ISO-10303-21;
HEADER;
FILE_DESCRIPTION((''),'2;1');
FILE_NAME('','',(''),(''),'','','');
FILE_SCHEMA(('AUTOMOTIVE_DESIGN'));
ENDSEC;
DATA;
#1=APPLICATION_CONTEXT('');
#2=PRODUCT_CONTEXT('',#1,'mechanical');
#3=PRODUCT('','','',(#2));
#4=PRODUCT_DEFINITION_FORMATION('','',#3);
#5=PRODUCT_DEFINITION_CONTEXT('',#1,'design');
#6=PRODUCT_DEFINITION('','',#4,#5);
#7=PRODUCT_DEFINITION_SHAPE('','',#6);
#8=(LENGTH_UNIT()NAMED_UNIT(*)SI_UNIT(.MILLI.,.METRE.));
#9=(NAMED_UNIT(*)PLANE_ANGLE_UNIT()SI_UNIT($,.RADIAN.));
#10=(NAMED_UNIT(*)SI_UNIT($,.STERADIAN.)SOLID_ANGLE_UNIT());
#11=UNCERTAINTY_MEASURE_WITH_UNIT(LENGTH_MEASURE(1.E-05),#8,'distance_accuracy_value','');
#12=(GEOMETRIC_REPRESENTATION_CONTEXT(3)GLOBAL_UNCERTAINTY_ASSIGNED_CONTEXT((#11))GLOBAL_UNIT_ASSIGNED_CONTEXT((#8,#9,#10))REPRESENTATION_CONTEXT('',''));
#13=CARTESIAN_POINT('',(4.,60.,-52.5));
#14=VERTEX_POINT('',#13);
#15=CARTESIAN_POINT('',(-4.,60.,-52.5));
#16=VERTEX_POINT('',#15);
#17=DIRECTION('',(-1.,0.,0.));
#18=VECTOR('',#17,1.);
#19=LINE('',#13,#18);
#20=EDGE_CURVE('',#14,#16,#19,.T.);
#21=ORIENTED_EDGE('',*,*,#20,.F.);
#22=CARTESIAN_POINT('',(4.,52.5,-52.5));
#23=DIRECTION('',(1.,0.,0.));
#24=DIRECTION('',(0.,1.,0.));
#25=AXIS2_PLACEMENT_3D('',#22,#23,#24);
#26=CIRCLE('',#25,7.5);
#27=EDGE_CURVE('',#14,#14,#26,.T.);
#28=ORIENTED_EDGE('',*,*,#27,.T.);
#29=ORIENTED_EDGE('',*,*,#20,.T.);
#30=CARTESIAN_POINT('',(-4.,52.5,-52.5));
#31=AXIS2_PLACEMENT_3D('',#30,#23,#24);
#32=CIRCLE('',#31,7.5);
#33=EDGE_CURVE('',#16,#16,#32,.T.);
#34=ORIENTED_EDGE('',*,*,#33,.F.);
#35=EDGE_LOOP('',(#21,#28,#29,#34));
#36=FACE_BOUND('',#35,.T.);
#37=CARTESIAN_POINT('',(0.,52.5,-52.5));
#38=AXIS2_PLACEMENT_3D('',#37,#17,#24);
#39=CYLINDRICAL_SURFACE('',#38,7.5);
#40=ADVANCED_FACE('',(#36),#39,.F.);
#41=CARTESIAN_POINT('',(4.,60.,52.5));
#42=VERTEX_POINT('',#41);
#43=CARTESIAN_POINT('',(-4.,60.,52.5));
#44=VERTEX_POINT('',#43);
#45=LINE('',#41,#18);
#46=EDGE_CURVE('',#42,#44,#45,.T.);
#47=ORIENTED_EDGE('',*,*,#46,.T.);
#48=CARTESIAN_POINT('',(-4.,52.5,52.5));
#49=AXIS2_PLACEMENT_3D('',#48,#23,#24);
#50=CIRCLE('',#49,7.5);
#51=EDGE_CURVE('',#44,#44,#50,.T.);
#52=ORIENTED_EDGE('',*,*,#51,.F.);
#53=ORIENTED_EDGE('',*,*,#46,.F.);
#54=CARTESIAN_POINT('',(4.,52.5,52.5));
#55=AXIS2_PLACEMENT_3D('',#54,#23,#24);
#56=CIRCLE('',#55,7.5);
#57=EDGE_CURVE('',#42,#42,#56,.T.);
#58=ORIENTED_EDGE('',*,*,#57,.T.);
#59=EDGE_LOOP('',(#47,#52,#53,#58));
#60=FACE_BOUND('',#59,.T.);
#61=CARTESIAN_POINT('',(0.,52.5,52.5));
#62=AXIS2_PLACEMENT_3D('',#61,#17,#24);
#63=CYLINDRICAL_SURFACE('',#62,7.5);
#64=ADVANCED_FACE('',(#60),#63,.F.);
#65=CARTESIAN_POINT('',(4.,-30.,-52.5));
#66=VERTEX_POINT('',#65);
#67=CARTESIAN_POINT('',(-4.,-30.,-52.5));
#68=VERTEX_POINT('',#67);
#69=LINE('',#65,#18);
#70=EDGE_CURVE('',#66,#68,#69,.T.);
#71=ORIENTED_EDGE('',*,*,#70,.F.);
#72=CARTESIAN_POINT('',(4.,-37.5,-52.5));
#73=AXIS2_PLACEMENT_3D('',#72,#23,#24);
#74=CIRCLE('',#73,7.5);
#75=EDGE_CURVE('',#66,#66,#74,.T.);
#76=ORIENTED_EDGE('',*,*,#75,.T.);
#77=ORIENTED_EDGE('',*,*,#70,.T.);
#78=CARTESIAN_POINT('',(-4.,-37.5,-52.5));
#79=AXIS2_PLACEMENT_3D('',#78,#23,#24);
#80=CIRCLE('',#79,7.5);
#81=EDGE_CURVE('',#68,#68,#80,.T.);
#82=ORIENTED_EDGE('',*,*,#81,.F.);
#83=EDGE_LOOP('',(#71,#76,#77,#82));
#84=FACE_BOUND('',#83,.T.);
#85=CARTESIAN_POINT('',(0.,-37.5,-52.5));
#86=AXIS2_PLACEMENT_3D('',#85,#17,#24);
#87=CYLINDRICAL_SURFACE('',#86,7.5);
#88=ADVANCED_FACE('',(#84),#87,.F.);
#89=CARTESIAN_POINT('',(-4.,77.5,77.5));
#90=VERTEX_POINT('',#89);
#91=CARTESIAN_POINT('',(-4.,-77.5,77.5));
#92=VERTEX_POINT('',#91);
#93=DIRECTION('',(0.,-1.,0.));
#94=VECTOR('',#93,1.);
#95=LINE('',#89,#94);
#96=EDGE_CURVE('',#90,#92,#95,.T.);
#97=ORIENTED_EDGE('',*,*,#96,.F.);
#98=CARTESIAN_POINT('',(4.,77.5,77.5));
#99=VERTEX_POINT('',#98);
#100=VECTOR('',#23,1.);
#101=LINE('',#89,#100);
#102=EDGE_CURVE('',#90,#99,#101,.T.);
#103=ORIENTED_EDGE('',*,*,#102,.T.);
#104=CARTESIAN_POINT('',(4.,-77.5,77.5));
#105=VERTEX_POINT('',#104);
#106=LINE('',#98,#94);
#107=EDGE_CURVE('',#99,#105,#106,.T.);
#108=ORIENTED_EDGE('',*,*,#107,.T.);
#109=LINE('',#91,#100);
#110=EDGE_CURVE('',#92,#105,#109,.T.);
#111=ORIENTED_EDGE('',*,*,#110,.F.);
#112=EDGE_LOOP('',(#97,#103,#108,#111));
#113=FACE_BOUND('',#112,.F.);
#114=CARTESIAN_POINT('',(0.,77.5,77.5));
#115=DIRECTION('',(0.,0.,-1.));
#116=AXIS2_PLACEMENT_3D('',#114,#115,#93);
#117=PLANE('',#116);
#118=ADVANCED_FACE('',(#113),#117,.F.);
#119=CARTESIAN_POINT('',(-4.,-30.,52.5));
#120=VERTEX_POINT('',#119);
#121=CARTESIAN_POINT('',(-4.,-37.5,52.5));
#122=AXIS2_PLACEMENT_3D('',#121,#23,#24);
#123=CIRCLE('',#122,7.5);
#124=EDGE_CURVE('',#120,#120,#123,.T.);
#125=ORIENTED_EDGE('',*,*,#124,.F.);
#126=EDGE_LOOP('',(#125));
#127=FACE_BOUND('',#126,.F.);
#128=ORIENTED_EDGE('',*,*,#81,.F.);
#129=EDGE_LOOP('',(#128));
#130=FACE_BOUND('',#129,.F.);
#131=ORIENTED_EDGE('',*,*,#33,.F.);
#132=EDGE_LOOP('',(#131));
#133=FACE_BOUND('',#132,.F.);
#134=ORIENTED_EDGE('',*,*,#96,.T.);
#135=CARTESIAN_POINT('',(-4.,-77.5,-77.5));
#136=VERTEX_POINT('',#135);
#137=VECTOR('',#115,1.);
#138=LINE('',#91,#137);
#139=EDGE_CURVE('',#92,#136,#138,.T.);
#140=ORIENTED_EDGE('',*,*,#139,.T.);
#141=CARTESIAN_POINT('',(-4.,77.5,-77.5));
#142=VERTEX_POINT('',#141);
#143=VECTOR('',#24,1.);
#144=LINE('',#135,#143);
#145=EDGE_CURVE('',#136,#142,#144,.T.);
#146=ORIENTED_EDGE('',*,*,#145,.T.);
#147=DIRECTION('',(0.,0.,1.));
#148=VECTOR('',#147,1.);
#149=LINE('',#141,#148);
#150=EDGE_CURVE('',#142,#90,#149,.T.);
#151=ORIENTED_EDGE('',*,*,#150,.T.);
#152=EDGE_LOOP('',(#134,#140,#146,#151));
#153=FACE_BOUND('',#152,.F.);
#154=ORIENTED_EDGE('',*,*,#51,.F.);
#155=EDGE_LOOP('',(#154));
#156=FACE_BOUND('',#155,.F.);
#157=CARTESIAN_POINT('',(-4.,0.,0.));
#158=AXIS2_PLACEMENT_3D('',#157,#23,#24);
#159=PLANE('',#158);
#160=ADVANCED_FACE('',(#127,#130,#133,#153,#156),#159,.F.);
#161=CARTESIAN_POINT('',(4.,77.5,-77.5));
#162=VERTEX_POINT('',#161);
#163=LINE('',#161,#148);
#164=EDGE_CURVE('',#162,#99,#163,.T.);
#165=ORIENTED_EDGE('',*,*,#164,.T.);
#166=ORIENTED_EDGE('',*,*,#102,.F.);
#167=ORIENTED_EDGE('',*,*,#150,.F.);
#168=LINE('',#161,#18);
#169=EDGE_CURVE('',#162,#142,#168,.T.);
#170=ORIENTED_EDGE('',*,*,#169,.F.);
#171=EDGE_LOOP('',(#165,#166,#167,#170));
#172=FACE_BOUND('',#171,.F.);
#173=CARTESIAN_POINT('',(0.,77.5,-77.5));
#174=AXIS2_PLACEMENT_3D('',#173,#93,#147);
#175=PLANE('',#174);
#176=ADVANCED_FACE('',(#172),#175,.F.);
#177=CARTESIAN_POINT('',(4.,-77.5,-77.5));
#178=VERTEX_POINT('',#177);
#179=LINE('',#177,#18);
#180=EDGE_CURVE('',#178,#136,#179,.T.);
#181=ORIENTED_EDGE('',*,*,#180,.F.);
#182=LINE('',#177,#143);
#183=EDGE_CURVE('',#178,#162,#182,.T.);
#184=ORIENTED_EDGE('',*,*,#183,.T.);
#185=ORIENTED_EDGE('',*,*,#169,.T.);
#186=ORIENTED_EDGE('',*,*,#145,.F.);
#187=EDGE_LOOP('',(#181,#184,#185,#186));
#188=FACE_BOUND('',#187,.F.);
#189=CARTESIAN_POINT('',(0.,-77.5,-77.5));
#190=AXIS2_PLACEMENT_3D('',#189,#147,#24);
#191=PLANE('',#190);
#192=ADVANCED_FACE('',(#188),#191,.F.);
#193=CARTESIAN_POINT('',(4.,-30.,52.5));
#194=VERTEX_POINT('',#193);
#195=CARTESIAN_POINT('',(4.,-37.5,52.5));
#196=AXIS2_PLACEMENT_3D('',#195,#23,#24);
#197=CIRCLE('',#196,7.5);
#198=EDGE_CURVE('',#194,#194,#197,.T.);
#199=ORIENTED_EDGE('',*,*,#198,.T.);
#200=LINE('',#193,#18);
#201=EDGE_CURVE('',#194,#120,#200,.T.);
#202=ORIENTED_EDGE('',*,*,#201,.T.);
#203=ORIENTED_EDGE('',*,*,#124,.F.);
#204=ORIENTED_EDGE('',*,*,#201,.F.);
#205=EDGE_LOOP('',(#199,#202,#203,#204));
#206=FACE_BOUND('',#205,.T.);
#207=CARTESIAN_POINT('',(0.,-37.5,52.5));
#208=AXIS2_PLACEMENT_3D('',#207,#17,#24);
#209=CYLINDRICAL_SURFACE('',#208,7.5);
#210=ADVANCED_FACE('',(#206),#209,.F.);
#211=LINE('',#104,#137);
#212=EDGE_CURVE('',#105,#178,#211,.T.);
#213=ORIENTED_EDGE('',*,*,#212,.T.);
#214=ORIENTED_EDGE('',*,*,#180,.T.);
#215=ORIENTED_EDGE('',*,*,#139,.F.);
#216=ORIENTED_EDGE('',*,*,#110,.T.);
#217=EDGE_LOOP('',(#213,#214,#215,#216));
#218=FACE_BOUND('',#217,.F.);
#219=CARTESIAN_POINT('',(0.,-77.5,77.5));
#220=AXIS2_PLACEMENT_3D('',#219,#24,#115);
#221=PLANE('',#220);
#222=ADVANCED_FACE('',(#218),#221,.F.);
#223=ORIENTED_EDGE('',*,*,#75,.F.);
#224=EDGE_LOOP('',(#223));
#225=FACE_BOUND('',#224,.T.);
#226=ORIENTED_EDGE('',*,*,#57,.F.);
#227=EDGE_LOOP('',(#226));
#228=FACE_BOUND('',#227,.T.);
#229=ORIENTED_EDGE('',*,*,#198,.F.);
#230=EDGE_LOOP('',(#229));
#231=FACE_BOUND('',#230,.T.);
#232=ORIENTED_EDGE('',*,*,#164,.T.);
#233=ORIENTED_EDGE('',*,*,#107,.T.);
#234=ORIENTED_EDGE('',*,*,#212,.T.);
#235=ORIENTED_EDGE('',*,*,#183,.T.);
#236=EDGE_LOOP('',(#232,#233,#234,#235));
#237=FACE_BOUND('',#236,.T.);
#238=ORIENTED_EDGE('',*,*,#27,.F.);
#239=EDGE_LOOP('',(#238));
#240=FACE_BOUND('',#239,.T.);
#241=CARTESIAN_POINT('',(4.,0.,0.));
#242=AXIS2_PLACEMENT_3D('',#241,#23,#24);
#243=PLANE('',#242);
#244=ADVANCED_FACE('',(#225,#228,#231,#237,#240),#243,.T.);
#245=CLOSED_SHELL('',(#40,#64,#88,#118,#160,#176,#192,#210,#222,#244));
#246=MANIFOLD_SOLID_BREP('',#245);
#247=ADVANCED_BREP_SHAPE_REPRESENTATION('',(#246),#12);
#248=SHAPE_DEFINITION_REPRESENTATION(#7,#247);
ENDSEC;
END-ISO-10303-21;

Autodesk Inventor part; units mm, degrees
ref_plane "YZ Plane" through (0, 0, 0) normal (1, 0, 0) x (0, 1, 0)
ref_plane "XZ Plane" through (0, 0, 0) normal (0, 1, 0) x (-1, 0, 0)
ref_plane "XY Plane" through (0, 0, 0) normal (0, 0, 1) x (1, 0, 0)
sketch "Sketch1" plane through (0, 0, 0) normal (1, 0, 0) x (0, 1, 0)
  line L0 (77.5, 77.5) -> (-77.5, 77.5)
  line L1 (-77.5, 77.5) -> (-77.5, -77.5)
  line L2 (-77.5, -77.5) -> (77.5, -77.5)
  line L3 (77.5, -77.5) -> (77.5, 77.5)
  circle A0 centre (52.5, 52.5) radius 7.5
  circle A1 centre (52.5, -52.5) radius 7.5
  circle A2 centre (-37.5, 52.5) radius 7.5
  circle A3 centre (-37.5, -52.5) radius 7.5
  point P0 (0, 0)
  point P1 (0, -77.5)
  point P2 (-77.5, 0)
  dimension "d0" = 155
  dimension "d1" = 155
  dimension "d2" = 25
  dimension "d3" = 25
  dimension "d4" = 15
  dimension "d7" = 105
  dimension "d10" = 90
extrude "Extrusion1" add sketch "Sketch1" along normal mid plane 8
properties part number "Bracket_side"
